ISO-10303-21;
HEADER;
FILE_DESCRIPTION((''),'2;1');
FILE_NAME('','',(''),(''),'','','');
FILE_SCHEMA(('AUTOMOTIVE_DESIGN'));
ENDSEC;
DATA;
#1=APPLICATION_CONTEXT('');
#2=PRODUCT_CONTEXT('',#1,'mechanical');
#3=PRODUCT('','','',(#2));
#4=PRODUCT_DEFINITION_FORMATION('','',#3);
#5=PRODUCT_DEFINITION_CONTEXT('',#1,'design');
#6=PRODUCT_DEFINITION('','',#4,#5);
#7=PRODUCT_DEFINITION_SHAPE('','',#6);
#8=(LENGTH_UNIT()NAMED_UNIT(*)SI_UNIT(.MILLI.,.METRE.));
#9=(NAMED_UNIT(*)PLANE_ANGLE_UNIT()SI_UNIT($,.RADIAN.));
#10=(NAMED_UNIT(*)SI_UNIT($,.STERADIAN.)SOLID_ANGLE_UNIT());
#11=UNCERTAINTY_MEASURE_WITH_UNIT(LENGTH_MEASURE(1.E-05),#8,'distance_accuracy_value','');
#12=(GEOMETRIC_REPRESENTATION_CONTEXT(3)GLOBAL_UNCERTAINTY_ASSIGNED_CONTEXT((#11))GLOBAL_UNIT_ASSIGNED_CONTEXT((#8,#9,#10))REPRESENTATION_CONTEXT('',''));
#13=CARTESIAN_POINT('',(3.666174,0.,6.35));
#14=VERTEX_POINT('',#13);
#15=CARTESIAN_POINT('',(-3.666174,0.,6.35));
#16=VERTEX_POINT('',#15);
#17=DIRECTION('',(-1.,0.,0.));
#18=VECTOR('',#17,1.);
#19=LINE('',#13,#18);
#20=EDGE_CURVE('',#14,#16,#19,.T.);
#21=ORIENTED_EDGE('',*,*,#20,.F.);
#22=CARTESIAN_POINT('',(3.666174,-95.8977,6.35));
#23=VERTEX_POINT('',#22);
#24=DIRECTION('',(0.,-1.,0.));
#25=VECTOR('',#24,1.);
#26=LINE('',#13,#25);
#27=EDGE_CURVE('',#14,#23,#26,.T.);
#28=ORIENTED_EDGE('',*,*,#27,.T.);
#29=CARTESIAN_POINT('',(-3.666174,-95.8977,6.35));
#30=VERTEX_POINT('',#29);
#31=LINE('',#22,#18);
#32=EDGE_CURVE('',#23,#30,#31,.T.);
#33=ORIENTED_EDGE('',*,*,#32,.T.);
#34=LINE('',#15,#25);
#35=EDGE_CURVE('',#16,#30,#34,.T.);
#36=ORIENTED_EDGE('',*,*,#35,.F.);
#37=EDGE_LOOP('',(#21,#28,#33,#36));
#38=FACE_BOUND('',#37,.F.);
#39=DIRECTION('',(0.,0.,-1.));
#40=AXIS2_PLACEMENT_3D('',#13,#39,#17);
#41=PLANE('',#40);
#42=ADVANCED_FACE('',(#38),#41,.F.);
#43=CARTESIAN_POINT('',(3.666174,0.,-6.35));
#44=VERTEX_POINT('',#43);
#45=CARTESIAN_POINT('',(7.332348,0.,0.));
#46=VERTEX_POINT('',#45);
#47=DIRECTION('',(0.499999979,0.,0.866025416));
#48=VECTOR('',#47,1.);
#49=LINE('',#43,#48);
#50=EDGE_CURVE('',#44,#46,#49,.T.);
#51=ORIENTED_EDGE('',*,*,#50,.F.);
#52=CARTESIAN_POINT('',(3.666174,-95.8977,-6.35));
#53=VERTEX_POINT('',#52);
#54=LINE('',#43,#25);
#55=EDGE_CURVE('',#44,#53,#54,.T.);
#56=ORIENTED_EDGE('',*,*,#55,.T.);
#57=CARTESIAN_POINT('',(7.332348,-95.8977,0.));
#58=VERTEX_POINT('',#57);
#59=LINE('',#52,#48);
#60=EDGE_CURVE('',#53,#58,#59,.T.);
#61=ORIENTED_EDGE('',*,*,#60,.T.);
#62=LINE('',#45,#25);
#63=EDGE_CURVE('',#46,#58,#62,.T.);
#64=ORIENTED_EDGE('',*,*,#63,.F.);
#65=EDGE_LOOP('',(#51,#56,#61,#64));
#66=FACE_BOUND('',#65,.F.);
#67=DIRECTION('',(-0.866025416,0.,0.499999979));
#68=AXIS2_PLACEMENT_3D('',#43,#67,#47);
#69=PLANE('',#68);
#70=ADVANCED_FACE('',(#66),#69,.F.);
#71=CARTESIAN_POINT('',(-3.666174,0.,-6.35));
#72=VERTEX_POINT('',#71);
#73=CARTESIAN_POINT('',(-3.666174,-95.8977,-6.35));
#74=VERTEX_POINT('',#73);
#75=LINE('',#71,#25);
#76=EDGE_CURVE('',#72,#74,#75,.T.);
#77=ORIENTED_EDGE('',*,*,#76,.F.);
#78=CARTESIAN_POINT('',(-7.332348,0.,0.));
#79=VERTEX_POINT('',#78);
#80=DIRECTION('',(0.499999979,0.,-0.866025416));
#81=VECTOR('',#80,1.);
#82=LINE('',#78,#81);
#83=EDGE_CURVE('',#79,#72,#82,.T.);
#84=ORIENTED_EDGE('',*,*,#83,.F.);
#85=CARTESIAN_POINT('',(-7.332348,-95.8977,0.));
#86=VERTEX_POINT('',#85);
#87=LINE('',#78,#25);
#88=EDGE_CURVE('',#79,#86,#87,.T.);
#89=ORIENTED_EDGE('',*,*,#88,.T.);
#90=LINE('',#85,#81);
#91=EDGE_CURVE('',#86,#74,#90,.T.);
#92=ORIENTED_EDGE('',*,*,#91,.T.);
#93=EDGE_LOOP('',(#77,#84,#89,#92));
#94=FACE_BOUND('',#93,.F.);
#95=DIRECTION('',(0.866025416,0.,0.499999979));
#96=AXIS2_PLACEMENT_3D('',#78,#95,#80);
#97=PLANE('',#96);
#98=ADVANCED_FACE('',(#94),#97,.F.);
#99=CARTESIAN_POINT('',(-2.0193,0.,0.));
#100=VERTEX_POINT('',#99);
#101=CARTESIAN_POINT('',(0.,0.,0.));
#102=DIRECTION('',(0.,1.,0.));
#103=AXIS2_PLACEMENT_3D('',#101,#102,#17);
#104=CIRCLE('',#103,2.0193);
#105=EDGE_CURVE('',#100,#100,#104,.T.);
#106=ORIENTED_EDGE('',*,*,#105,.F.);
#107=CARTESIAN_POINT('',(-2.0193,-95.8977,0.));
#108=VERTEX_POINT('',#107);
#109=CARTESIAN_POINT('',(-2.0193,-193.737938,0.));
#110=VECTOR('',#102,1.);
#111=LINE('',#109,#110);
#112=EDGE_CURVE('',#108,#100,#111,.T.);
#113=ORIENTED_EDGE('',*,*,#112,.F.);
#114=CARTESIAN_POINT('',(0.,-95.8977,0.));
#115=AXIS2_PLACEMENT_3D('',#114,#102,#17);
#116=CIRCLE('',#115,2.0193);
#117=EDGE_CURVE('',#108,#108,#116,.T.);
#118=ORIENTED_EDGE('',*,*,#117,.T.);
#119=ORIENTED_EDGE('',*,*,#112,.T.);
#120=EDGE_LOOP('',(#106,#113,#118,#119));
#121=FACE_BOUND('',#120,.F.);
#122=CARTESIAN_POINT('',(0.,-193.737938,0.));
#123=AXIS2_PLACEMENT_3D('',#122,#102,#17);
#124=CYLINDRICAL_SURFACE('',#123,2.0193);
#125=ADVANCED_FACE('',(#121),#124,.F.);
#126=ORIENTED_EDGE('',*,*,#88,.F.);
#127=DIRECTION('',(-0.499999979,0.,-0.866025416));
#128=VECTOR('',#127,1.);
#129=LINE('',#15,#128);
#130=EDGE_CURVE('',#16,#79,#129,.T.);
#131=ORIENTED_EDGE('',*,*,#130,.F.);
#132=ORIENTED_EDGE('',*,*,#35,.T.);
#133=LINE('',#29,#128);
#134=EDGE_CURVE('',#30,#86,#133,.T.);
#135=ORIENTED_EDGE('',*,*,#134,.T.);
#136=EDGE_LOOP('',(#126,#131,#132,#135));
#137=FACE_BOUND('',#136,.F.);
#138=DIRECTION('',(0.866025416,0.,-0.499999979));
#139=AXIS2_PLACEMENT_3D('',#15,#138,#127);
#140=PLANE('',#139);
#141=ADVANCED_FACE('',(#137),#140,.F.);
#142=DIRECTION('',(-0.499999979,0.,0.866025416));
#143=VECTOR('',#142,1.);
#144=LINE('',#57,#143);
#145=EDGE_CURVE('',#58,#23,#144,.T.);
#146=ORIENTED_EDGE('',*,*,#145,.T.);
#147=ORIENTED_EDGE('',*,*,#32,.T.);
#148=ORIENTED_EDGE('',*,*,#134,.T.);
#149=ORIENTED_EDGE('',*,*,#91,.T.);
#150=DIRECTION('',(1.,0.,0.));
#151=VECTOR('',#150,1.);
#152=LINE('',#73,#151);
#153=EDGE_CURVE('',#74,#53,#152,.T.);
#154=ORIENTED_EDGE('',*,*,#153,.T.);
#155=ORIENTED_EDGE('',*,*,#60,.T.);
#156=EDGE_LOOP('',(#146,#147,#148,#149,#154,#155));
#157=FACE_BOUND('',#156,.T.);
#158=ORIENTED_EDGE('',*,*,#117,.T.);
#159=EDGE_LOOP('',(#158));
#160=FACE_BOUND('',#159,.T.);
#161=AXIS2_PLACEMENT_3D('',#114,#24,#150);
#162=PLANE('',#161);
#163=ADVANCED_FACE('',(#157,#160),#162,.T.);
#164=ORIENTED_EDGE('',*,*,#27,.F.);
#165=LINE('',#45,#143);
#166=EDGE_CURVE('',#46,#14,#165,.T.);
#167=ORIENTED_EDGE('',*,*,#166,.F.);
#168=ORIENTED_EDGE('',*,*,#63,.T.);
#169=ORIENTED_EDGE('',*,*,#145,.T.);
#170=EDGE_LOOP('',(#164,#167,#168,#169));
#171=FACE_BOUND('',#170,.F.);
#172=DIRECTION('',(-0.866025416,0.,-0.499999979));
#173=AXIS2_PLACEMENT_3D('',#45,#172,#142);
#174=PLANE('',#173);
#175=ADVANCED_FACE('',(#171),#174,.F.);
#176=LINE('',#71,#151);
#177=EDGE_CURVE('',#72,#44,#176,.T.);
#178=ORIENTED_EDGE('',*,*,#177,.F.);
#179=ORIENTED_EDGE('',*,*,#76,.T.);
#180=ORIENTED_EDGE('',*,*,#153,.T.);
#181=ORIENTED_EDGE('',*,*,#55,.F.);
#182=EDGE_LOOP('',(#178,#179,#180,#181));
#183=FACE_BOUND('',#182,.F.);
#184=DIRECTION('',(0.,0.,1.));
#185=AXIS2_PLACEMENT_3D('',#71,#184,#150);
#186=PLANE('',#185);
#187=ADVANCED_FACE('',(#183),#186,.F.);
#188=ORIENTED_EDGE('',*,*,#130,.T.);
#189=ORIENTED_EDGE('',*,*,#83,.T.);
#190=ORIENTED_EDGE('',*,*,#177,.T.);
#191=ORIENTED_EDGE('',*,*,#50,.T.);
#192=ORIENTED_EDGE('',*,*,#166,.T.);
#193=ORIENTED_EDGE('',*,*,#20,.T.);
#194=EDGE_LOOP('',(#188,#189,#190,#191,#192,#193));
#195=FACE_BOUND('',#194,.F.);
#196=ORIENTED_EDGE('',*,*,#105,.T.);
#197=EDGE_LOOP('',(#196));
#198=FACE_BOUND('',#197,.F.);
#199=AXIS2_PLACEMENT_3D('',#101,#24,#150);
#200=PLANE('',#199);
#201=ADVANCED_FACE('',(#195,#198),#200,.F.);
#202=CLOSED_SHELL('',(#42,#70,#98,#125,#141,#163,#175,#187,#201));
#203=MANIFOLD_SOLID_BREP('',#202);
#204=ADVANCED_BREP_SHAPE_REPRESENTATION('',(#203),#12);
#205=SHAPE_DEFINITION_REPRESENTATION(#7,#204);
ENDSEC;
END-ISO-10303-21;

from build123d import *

# Parameters (mm, degrees)
F1_DEPTH = 95.8977
F3_D     = 4.0386


with BuildPart() as f1:
    # F0 (on Front) → F1 (new body)
    with BuildSketch(Plane.XZ):
        Polygon((3.666174, 6.35), (-3.666174, 6.35), (-7.332348, 0), (-3.666174, -6.35), (3.666174, -6.35), (7.332348, 0), align=None)
    extrude(amount=F1_DEPTH)

    # F3 (through all)
    with Locations(Plane.XZ.offset(95.8977)):
        with Locations((0, 0)):
            Hole(F3_D / 2)


solid = f1.part
